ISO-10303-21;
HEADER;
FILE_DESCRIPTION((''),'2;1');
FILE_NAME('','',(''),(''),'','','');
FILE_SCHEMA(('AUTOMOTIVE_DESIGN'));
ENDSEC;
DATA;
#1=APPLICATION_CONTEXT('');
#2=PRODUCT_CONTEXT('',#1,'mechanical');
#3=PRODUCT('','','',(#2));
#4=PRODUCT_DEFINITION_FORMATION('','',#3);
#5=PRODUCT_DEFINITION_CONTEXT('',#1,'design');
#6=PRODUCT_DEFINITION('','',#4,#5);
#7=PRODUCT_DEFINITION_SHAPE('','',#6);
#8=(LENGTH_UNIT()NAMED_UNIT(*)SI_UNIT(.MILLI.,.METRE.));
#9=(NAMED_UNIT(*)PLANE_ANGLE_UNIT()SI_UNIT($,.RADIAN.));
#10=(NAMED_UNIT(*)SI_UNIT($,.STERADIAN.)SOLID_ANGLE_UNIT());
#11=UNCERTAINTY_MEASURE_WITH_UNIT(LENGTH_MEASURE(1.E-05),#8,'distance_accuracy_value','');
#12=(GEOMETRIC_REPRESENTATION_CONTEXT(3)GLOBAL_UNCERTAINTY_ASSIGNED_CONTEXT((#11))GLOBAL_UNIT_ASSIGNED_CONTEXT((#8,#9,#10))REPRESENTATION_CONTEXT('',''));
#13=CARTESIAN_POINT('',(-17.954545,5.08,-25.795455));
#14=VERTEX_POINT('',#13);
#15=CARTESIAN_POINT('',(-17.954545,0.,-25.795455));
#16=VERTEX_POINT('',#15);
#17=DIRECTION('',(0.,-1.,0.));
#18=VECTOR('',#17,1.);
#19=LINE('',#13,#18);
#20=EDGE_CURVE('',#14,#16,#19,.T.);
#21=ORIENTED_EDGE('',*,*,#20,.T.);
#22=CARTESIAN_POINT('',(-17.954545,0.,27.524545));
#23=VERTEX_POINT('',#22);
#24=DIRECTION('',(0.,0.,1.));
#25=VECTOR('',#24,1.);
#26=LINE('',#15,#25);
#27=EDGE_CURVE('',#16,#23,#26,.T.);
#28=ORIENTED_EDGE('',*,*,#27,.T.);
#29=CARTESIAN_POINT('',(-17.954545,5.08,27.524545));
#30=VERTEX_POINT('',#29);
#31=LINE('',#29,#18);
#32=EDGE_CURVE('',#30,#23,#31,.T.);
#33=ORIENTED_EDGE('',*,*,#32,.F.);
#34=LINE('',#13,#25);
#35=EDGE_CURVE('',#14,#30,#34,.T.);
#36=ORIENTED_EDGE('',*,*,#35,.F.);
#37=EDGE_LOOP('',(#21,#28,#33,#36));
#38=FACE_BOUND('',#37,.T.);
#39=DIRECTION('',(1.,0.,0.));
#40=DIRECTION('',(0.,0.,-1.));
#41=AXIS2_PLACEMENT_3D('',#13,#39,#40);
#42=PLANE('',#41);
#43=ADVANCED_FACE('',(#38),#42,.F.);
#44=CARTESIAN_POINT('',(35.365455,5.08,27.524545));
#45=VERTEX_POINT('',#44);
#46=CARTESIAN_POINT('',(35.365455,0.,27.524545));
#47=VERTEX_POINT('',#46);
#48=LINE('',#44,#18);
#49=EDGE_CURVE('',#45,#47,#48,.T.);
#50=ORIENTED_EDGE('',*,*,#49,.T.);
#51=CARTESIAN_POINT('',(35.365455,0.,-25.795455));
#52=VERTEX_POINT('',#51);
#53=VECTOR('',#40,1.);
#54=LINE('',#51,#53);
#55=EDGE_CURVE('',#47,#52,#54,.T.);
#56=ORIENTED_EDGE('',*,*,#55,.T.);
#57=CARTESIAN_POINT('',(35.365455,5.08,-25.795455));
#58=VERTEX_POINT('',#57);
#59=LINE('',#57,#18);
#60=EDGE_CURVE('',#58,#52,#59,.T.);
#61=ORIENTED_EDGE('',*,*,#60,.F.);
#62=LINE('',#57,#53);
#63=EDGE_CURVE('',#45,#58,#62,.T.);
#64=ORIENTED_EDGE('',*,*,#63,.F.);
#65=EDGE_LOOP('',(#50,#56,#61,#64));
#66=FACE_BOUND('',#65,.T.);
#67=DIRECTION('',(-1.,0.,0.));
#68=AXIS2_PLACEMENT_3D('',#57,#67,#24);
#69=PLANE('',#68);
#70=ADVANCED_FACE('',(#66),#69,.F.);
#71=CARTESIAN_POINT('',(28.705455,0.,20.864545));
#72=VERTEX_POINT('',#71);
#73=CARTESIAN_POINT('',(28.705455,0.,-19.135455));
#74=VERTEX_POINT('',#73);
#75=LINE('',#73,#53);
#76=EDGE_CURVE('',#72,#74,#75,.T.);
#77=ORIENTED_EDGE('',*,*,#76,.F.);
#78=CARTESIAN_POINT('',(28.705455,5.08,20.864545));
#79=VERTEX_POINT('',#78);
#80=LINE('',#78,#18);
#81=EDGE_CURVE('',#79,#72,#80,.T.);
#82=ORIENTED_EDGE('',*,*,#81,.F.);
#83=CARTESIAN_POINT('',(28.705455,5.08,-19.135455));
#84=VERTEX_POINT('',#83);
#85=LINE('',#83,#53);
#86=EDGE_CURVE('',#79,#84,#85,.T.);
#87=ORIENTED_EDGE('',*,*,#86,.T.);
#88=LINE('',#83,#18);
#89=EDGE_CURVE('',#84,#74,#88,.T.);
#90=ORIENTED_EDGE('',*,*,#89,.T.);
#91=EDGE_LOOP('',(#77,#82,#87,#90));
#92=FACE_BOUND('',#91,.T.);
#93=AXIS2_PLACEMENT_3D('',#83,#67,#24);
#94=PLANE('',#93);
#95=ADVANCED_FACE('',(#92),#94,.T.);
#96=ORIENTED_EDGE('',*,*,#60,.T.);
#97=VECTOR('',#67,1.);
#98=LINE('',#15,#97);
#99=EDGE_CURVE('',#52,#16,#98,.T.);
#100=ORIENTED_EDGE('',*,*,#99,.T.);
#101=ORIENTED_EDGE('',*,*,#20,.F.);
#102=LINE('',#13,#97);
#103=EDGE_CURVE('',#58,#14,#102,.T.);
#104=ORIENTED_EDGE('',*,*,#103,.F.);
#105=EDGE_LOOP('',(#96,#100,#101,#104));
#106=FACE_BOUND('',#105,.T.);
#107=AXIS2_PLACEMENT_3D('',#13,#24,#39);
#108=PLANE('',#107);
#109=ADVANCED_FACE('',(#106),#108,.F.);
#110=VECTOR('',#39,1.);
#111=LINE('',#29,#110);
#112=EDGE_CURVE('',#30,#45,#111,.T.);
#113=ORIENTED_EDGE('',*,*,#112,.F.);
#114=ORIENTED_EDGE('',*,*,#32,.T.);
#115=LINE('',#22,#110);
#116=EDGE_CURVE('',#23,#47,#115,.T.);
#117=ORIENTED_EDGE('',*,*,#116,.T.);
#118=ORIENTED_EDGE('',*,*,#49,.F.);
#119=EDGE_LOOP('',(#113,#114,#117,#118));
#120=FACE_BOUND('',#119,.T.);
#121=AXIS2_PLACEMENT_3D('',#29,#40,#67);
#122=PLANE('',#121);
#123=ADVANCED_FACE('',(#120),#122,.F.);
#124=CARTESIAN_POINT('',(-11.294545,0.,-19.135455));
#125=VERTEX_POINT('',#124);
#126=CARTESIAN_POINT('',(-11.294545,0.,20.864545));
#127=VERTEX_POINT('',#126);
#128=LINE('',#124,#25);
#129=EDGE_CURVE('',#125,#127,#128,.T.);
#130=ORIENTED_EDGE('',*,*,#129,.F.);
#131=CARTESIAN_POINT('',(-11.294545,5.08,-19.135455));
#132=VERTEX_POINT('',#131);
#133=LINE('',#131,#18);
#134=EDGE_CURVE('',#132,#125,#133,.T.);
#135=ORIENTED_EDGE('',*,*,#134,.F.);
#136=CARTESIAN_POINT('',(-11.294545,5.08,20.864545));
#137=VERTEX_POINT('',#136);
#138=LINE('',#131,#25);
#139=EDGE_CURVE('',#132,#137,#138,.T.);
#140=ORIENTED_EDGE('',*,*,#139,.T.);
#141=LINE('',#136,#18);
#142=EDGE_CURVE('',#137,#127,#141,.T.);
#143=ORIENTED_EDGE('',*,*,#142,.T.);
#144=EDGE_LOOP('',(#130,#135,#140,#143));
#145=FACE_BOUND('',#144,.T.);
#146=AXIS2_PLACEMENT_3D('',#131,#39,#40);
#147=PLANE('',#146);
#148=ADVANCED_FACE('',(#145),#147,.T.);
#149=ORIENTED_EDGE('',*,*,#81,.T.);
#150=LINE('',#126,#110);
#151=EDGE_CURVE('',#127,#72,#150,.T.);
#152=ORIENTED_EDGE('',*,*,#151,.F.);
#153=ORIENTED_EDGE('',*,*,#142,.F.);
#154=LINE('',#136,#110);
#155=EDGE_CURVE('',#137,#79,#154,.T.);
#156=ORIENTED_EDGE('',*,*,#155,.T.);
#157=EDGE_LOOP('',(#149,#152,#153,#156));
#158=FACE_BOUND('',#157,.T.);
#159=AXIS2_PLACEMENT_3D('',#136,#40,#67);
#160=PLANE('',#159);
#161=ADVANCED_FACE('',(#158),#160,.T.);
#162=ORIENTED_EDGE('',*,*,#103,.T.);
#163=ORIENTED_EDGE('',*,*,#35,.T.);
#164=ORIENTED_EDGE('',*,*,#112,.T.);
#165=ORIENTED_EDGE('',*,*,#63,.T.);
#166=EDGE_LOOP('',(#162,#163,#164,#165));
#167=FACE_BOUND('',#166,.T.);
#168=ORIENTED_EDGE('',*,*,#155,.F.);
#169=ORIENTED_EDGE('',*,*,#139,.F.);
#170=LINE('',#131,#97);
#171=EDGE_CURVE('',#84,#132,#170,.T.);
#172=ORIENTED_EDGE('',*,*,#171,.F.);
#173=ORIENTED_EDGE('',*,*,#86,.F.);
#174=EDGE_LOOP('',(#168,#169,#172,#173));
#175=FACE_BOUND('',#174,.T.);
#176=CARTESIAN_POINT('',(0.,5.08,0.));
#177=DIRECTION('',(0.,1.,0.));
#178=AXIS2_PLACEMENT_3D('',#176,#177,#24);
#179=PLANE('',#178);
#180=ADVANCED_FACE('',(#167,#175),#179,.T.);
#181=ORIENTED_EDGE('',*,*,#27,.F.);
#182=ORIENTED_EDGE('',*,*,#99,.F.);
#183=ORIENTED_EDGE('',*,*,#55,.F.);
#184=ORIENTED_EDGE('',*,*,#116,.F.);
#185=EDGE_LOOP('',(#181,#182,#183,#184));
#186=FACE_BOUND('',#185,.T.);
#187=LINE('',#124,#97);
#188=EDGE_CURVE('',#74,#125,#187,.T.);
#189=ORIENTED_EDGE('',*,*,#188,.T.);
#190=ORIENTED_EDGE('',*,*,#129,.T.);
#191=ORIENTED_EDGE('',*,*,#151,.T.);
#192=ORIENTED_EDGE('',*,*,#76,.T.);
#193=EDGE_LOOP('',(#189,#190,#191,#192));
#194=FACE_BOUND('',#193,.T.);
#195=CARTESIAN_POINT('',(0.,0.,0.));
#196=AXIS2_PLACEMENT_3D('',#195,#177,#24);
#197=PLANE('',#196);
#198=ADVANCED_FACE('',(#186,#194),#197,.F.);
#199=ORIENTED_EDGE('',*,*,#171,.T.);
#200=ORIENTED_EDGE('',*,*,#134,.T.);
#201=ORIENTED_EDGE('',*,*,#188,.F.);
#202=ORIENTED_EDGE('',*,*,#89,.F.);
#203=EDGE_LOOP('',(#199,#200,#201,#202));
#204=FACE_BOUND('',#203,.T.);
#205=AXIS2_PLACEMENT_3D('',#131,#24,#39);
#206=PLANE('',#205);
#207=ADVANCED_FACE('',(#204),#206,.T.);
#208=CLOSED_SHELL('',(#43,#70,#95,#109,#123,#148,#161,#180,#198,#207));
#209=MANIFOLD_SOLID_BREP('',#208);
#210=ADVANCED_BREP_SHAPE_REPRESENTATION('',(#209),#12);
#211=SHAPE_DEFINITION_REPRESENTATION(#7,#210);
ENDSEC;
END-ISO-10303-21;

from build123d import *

# Parameters (mm, degrees)
SKETCH1_W           = 53.32
SKETCH1_H           = 53.32
SKETCH1_W_2         = 40
SKETCH1_H_2         = 40
BOSS_EXTRUDE1_DEPTH = 5.08


with BuildPart() as part:
    # Sketch1 → Boss-Extrude1 (new body)
    with BuildSketch(Plane(origin=(0, 0, 0), x_dir=(1, 0, 0), z_dir=(0, 1, 0))):
        with Locations((8.705454545, -0.864545455)):
            Rectangle(SKETCH1_W, SKETCH1_H)
        with Locations((8.705454545, -0.864545455)):
            Rectangle(SKETCH1_W_2, SKETCH1_H_2, mode=Mode.SUBTRACT)
    extrude(amount=BOSS_EXTRUDE1_DEPTH)


solid = part.part
